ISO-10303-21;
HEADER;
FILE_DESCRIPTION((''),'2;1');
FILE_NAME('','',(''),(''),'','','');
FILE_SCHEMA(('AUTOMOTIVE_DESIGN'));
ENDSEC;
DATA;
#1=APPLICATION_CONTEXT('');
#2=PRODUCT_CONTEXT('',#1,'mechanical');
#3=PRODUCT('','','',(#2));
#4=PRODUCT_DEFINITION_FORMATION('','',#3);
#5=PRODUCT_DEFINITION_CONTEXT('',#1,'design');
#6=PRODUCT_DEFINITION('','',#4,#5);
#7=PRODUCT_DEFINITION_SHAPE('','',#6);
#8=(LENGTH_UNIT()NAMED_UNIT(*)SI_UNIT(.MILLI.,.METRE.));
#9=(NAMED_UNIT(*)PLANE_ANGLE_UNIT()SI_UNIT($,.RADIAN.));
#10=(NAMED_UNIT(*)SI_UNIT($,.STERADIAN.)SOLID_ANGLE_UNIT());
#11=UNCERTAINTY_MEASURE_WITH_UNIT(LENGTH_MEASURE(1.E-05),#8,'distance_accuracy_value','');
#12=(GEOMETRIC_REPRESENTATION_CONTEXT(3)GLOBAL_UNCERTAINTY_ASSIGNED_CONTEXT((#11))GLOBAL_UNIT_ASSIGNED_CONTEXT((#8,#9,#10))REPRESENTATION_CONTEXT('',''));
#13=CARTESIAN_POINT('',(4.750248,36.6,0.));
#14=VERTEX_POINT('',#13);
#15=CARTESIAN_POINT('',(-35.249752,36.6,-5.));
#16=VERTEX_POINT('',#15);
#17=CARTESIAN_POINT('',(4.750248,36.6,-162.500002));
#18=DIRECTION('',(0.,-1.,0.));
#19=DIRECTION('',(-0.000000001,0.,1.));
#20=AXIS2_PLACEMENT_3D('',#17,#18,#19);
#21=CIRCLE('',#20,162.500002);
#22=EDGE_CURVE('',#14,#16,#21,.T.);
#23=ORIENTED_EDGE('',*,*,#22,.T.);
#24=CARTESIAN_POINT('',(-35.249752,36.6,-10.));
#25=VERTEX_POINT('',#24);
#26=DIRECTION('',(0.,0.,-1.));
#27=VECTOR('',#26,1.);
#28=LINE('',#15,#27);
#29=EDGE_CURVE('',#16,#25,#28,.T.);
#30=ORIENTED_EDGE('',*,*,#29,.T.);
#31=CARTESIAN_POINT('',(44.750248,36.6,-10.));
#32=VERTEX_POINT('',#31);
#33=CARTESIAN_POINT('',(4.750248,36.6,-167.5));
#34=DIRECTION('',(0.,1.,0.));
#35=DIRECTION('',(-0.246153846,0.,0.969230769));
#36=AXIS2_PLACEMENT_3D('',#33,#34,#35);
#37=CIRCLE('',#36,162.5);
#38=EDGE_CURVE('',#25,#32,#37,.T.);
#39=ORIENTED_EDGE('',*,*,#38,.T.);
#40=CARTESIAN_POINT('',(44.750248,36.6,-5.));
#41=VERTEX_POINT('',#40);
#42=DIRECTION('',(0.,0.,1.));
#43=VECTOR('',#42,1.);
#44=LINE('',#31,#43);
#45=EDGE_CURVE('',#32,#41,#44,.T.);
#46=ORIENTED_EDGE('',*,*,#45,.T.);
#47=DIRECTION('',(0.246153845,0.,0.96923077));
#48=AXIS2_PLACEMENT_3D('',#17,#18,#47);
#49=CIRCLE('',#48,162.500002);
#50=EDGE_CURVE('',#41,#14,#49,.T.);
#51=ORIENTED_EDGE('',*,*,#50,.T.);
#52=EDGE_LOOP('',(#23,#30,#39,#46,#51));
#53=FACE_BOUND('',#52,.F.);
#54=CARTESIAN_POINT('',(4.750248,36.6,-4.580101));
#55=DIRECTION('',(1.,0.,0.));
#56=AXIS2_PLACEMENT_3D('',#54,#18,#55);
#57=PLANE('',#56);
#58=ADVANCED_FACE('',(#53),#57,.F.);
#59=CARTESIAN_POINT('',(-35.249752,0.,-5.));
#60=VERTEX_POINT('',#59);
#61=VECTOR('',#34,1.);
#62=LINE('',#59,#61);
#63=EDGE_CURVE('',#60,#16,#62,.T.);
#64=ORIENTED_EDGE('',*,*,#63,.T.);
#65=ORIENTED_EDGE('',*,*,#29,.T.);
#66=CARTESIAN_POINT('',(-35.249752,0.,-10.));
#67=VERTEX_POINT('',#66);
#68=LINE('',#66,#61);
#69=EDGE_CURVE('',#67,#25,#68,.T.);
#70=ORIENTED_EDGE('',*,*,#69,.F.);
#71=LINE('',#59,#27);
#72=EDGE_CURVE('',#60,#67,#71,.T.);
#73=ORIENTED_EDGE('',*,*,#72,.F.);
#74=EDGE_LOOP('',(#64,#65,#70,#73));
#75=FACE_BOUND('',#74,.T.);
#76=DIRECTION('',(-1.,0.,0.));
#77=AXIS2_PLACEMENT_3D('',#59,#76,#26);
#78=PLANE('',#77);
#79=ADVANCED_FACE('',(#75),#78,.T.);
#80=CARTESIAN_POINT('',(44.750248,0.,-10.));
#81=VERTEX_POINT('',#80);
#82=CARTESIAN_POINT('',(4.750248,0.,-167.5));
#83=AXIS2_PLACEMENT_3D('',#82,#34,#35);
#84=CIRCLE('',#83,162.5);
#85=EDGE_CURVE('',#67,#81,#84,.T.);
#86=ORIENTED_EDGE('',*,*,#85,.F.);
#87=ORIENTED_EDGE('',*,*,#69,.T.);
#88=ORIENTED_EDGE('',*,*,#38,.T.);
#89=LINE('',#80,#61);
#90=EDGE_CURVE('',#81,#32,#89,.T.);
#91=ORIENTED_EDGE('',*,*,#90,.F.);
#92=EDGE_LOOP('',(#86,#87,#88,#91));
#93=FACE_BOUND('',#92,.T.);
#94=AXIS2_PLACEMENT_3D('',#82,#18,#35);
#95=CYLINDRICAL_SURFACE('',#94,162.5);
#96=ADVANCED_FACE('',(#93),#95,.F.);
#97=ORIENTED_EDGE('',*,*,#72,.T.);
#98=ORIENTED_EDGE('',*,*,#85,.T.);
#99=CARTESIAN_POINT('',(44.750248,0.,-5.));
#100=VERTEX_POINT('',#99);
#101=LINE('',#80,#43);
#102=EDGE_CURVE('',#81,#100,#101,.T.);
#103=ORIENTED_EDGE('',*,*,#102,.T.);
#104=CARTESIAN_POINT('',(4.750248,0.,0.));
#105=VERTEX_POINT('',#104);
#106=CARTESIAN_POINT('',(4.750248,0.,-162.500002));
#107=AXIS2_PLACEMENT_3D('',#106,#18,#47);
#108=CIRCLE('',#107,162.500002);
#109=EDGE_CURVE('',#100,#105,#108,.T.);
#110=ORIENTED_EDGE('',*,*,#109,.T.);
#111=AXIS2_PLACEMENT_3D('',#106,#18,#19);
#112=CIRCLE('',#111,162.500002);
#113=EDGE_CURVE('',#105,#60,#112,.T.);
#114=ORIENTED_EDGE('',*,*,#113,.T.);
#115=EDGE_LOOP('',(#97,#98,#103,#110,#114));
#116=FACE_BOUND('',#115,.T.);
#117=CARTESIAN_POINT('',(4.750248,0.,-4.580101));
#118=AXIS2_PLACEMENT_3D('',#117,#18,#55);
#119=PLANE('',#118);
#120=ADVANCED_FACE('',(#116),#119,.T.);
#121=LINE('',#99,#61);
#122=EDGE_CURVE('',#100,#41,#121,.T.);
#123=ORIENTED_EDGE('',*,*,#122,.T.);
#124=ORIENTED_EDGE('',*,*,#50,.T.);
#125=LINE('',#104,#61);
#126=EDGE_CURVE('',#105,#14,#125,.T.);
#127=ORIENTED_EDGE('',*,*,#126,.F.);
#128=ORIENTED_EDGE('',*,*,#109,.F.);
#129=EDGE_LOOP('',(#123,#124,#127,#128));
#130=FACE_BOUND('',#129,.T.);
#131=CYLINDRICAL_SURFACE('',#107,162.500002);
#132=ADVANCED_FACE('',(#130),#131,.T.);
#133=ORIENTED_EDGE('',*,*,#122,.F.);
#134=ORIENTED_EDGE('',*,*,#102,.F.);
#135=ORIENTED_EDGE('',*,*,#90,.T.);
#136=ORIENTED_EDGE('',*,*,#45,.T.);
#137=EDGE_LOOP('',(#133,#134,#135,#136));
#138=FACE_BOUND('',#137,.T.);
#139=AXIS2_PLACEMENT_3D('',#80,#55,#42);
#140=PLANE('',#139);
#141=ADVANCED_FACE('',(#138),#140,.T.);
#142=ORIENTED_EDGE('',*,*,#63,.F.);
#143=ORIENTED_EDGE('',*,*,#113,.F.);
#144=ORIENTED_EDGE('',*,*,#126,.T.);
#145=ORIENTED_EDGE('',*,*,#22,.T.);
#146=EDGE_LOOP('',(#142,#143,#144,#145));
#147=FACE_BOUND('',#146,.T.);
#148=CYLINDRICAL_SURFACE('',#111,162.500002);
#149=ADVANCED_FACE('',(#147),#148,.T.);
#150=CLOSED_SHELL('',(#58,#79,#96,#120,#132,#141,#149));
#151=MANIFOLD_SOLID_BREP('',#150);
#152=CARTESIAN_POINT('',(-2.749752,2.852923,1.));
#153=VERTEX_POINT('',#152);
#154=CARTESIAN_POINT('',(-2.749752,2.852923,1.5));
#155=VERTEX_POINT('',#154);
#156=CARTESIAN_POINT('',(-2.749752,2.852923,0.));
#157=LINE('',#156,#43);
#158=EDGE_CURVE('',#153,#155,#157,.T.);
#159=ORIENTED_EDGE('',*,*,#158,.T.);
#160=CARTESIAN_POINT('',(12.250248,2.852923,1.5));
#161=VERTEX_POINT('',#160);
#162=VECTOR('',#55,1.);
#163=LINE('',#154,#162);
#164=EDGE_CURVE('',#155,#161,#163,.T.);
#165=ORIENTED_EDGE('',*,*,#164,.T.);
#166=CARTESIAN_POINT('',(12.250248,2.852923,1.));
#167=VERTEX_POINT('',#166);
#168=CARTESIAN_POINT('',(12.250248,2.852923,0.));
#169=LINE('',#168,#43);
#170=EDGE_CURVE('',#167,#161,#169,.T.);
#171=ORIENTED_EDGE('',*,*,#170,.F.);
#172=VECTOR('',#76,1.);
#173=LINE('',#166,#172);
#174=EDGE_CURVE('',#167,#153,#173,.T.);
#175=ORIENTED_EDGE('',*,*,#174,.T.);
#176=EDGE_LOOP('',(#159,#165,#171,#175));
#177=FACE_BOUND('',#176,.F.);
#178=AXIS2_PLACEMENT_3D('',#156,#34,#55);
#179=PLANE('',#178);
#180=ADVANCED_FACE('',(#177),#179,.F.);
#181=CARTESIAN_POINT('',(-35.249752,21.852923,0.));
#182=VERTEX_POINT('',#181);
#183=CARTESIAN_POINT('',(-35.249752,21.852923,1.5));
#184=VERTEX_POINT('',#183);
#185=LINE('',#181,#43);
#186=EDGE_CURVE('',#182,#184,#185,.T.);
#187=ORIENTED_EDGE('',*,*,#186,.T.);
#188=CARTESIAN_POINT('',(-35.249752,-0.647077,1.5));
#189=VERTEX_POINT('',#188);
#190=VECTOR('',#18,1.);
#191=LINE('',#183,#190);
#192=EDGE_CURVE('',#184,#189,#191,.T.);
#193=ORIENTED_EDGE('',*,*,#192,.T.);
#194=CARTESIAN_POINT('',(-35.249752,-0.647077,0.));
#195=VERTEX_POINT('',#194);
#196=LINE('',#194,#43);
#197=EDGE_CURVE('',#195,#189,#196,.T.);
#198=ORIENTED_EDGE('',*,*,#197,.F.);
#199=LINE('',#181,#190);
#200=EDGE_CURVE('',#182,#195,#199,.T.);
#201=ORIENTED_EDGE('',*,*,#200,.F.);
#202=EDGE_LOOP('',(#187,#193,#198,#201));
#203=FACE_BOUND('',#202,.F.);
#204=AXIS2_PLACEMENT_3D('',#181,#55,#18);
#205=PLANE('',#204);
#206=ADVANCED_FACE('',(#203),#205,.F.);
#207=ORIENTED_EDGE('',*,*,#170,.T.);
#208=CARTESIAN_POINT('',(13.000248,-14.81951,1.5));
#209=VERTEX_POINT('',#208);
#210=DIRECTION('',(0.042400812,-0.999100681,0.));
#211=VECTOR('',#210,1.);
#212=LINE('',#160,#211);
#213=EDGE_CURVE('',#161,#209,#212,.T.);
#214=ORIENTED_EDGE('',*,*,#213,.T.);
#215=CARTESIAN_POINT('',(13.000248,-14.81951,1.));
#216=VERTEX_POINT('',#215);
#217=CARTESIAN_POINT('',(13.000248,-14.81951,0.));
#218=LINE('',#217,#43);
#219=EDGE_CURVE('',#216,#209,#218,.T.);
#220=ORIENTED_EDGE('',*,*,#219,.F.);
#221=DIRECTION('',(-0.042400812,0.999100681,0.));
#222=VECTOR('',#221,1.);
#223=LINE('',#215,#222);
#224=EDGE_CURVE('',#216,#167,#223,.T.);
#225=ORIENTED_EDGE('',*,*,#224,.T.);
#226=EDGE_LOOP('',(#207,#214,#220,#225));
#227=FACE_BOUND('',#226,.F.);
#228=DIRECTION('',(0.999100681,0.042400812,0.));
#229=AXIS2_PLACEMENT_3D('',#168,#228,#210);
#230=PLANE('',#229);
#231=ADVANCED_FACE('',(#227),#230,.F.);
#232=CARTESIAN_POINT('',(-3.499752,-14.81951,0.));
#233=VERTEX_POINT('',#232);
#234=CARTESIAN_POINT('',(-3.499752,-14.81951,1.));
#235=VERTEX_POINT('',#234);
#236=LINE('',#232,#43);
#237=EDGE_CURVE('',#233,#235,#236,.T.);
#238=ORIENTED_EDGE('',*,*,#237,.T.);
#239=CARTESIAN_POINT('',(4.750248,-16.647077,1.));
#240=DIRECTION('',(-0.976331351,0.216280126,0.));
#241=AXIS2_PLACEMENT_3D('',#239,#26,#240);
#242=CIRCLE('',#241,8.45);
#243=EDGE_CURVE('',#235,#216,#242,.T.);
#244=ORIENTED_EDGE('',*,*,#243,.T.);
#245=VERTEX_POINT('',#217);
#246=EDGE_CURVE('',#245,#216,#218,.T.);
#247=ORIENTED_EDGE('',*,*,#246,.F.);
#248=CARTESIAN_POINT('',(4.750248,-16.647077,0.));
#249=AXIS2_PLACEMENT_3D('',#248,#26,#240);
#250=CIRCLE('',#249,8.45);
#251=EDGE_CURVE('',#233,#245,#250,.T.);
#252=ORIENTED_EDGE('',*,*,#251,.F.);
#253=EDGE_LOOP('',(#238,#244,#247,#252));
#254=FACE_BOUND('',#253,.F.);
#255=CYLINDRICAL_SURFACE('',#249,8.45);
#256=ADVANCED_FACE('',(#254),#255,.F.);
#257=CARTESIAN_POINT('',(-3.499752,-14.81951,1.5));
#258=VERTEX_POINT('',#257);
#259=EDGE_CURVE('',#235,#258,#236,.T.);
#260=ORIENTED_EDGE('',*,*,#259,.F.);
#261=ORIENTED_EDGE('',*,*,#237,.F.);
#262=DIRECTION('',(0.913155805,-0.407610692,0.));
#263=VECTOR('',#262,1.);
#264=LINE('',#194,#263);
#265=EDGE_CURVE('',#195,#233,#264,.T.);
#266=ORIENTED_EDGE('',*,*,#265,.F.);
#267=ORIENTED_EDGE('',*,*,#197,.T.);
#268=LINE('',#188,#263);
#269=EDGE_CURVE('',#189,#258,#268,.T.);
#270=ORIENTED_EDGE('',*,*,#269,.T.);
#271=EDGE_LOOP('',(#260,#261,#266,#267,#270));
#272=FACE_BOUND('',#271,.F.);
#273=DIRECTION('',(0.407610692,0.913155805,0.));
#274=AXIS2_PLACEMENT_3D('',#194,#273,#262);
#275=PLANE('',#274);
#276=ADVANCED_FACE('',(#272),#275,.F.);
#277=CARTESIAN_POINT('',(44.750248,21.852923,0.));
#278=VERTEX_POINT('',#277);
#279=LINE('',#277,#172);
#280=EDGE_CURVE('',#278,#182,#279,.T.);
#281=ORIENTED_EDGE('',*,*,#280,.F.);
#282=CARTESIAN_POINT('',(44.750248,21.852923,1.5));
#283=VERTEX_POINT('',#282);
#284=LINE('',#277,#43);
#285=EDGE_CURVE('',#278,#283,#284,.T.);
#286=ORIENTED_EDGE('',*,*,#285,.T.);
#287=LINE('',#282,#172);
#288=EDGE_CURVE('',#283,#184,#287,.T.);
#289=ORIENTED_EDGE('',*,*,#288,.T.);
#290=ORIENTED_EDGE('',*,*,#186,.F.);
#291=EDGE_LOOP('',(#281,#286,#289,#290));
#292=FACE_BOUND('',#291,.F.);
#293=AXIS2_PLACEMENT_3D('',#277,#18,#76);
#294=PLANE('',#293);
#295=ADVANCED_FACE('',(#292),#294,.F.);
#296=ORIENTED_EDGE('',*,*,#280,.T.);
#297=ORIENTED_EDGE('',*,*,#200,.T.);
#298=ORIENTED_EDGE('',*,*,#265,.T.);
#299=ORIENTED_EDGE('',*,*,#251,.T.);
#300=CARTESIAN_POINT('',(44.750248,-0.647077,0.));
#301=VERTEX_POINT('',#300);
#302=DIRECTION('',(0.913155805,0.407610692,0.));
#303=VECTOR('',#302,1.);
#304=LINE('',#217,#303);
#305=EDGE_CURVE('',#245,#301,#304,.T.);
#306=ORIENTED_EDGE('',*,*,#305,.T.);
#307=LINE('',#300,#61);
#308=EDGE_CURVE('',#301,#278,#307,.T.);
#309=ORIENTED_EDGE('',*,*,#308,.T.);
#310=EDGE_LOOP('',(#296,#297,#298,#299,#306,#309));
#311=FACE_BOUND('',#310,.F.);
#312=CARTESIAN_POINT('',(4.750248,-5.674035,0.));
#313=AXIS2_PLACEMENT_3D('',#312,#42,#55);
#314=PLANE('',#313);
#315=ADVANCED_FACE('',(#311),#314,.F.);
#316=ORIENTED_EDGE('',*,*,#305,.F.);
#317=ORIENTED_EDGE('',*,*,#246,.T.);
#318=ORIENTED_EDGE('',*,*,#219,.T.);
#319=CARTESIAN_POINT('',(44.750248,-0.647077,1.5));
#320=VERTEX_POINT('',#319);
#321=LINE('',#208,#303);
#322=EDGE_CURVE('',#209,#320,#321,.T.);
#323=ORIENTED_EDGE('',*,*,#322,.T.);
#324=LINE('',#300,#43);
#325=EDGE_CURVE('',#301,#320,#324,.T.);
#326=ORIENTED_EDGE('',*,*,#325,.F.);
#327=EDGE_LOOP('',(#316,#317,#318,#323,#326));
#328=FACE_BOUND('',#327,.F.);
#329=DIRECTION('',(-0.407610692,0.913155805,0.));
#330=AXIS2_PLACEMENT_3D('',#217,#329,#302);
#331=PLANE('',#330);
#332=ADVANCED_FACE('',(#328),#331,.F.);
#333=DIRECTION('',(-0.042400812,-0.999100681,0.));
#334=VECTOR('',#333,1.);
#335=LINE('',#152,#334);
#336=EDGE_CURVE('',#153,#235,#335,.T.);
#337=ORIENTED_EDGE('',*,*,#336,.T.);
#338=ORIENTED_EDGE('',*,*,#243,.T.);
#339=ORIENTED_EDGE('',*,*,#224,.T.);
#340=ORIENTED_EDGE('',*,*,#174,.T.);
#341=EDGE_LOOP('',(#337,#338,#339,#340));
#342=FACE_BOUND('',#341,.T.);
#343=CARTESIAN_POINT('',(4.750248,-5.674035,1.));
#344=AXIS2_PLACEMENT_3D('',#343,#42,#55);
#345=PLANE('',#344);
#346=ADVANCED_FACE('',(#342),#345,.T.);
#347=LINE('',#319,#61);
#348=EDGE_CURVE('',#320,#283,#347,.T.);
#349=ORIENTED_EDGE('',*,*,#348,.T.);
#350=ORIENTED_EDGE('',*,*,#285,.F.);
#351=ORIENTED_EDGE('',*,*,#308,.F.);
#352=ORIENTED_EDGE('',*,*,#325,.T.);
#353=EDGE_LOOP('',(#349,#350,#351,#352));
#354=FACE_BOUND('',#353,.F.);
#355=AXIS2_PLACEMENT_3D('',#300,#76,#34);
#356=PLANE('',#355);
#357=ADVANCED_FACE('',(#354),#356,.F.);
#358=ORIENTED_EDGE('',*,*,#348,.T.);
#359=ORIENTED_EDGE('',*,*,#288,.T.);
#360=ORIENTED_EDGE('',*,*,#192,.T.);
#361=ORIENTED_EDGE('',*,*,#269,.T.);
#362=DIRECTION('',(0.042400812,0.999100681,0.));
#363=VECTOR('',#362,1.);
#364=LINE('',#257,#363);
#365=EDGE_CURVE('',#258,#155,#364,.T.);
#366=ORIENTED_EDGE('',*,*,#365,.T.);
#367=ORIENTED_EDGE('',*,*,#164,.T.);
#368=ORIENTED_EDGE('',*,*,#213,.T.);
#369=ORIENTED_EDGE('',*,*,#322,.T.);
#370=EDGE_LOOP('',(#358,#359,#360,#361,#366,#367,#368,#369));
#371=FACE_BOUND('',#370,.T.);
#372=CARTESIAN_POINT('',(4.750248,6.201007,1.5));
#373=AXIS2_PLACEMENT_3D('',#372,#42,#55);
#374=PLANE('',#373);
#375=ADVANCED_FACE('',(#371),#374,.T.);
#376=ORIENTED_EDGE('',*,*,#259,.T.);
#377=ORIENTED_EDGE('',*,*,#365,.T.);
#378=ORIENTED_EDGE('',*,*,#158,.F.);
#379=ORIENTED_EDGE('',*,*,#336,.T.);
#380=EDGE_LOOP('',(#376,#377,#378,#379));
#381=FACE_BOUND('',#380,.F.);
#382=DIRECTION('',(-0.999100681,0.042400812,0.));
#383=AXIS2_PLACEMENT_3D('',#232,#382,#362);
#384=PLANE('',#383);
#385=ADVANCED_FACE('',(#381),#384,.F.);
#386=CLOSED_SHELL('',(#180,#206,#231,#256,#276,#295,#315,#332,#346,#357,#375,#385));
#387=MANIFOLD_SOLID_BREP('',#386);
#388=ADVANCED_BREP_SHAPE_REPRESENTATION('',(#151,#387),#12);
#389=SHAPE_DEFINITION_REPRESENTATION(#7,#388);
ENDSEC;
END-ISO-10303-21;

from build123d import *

# Parameters (mm, degrees)
F1_DEPTH = 1.5
F2_DEPTH = 1
F4_DEPTH = 36.6


with BuildPart() as f1:
    # F0 (on Top) → F1 (new body)
    with BuildSketch(Plane.XY):
        Polygon((12.250248, 2.852923), (13.000248, -14.81951), (44.750248, -0.647077), (44.750248, 21.852923), (-35.249752, 21.852923), (-35.249752, -0.647077), (-3.499752, -14.81951), (-2.749752, 2.852923), (4.750248, 2.852923), align=None)
    extrude(amount=F1_DEPTH)

    # F0 (on Top) → F2 (join)
    with BuildSketch(Plane.XY):
        with BuildLine():
            ThreePointArc((-3.499752, -14.81951), (4.750248, -8.197077), (13.000248, -14.81951))
            Line((13.000248, -14.81951), (12.250248, 2.852923))
            Line((12.250248, 2.852923), (4.750248, 2.852923))
            Line((4.750248, 2.852923), (-2.749752, 2.852923))
            Line((-2.749752, 2.852923), (-3.499752, -14.81951))
        make_face()
    extrude(amount=F2_DEPTH)


with BuildPart() as f4:
    # F3 (on Front) → F4 (new body)
    with BuildSketch(Plane.XZ):
        with BuildLine():
            Line((-35.249752, -5), (-35.249752, -10))
            ThreePointArc((-35.249752, -10), (4.750248, -5), (44.750248, -10))
            Line((44.750248, -10), (44.750248, -5))
            ThreePointArc((44.750248, -5), (24.905892, -1.254845), (4.750248, 0))
            ThreePointArc((4.750248, 0), (-15.405396, -1.254845), (-35.249752, -5))
        make_face()
    extrude(amount=-F4_DEPTH)


solid = Compound([f1.part, f4.part])
